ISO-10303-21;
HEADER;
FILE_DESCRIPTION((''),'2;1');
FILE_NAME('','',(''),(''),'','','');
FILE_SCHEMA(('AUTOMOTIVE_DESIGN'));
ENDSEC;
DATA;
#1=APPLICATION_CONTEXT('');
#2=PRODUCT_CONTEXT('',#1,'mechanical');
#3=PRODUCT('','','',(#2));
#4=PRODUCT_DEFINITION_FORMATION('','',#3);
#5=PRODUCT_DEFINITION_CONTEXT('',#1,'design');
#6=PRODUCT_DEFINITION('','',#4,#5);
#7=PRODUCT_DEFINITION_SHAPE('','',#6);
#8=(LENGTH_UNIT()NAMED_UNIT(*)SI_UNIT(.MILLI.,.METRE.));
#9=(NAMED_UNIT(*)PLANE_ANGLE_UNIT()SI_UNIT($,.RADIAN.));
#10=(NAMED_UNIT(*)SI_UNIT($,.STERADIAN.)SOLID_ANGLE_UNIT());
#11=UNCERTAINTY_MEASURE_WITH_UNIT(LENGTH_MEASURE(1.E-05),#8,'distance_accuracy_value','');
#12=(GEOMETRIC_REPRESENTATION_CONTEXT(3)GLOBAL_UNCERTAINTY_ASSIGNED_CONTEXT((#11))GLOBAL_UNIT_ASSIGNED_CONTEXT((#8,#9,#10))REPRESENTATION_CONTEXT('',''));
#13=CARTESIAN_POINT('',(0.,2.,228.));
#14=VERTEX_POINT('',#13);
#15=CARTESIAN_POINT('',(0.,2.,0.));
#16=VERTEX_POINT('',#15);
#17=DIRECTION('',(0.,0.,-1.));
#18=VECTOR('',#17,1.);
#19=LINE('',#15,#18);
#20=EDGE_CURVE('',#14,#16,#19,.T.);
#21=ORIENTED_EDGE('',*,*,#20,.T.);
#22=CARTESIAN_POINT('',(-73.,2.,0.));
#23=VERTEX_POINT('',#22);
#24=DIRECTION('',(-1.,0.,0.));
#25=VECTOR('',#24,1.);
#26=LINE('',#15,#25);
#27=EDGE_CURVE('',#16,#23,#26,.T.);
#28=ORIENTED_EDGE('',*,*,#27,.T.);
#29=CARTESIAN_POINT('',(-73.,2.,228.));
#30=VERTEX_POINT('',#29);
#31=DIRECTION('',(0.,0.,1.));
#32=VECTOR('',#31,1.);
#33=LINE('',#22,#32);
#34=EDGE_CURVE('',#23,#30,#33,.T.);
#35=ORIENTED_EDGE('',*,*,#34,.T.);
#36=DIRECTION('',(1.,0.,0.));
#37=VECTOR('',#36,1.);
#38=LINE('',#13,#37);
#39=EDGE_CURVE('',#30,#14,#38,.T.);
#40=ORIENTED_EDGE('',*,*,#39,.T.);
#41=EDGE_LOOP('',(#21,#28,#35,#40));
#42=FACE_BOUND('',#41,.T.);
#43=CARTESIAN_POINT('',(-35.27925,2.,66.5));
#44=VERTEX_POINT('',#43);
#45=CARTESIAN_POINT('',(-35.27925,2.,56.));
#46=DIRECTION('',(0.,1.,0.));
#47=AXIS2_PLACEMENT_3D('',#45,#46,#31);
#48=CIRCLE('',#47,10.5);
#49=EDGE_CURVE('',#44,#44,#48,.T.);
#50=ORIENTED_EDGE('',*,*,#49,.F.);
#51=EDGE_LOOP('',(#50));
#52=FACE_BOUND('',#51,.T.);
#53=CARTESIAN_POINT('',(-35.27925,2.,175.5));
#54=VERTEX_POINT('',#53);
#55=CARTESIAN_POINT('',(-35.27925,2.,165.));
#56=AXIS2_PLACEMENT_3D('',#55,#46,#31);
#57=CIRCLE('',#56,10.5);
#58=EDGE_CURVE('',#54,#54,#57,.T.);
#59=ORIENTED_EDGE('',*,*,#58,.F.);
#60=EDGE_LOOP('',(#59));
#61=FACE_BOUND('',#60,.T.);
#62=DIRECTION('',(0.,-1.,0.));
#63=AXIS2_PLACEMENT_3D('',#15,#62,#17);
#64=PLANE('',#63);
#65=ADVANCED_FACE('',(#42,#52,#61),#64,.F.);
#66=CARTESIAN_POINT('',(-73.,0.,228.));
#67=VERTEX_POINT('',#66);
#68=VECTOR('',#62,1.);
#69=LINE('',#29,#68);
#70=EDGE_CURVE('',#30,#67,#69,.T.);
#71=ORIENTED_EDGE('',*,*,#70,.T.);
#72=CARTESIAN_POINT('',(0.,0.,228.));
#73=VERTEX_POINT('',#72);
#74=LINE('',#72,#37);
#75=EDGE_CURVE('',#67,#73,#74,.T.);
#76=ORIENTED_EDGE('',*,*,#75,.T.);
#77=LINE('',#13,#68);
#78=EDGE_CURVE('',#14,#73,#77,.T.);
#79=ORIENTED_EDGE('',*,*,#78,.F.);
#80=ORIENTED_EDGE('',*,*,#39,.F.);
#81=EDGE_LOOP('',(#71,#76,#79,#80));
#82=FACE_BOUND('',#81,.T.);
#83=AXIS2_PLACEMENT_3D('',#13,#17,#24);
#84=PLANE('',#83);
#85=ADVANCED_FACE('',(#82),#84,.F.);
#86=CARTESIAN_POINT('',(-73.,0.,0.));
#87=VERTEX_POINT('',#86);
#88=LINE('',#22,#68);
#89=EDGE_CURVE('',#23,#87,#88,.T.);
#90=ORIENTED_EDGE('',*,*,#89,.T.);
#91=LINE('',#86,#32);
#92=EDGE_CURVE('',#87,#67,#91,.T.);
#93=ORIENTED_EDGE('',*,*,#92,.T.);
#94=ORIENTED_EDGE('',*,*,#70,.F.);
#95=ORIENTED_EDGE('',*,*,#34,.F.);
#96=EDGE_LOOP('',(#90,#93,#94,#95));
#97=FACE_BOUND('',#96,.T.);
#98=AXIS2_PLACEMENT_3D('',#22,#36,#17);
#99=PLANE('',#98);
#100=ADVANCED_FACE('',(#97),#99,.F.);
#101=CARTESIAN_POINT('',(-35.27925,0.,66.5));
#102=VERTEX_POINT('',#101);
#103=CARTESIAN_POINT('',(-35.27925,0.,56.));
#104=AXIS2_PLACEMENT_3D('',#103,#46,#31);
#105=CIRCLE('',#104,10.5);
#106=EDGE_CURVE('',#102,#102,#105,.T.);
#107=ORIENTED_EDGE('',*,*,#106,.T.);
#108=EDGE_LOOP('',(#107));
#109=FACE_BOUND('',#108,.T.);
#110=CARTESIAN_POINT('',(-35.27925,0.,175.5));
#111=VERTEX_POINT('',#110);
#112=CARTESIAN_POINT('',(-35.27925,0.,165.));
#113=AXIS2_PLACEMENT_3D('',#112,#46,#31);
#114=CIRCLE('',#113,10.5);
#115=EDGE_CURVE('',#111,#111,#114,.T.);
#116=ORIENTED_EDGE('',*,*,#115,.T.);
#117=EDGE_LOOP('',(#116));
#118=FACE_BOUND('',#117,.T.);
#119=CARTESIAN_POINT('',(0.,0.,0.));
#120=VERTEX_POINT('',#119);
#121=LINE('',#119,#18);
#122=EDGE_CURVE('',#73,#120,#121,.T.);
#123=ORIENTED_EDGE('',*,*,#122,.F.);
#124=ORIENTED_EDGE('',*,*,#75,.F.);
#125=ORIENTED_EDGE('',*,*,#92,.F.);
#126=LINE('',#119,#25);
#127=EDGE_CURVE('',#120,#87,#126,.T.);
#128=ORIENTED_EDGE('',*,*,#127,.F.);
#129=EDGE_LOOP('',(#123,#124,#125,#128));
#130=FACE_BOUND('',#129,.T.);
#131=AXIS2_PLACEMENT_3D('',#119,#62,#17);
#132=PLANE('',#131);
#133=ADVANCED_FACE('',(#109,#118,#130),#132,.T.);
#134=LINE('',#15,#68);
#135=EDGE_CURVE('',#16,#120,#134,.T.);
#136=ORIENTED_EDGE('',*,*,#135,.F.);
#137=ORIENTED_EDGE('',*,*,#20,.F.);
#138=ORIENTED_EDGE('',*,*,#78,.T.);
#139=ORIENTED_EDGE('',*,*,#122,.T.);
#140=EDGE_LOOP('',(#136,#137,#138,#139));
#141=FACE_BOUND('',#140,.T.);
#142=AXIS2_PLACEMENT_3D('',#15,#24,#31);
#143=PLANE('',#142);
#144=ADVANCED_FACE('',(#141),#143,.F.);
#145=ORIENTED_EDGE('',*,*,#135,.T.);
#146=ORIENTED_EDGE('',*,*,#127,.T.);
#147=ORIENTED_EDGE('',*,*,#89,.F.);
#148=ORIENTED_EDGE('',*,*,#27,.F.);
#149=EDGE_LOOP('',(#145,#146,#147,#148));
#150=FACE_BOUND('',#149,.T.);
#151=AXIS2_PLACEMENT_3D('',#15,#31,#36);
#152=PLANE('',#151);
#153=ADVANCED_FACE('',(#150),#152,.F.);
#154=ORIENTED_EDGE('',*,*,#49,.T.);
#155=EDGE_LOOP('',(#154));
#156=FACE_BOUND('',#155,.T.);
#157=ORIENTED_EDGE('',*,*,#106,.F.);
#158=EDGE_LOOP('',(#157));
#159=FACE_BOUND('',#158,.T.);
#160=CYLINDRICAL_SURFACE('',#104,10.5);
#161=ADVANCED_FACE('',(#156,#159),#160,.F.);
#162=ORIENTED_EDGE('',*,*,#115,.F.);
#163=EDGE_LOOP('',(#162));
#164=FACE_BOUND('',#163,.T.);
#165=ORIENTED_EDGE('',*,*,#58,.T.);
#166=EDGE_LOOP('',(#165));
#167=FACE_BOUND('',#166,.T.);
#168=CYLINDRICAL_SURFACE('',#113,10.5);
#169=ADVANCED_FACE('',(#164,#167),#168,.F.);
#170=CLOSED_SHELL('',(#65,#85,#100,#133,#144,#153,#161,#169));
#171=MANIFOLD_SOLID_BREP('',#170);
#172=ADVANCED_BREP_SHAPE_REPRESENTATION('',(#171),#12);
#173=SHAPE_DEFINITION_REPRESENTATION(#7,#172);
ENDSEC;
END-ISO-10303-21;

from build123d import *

# Parameters (mm, degrees)
SKETCH1_W           = 73
SKETCH1_H           = 228
BOSS_EXTRUDE1_DEPTH = 2
SKETCH2_R           = 10.5
CUT_EXTRUDE1_DEPTH  = 2


with BuildPart() as part:
    # Sketch1 → Boss-Extrude1 (new body)
    with BuildSketch(Plane(origin=(0, 0, 0), x_dir=(1, 0, 0), z_dir=(0, 1, 0))):
        with Locations((-36.5, -114)):
            Rectangle(SKETCH1_W, SKETCH1_H)
    extrude(amount=BOSS_EXTRUDE1_DEPTH)

    # Sketch2 → Cut-Extrude1 (cut)
    with BuildSketch(Plane(origin=(0, 2, 0), x_dir=(1, 0, 0), z_dir=(0, 1, 0))):
        with Locations(Location((-35.279249756, -56, 0), (0, 0, 270))):
            Circle(SKETCH2_R)
        with Locations(Location((-35.279249756, -165, 0), (0, 0, 270))):
            Circle(SKETCH2_R)
    extrude(amount=-CUT_EXTRUDE1_DEPTH, mode=Mode.SUBTRACT)


solid = part.part
